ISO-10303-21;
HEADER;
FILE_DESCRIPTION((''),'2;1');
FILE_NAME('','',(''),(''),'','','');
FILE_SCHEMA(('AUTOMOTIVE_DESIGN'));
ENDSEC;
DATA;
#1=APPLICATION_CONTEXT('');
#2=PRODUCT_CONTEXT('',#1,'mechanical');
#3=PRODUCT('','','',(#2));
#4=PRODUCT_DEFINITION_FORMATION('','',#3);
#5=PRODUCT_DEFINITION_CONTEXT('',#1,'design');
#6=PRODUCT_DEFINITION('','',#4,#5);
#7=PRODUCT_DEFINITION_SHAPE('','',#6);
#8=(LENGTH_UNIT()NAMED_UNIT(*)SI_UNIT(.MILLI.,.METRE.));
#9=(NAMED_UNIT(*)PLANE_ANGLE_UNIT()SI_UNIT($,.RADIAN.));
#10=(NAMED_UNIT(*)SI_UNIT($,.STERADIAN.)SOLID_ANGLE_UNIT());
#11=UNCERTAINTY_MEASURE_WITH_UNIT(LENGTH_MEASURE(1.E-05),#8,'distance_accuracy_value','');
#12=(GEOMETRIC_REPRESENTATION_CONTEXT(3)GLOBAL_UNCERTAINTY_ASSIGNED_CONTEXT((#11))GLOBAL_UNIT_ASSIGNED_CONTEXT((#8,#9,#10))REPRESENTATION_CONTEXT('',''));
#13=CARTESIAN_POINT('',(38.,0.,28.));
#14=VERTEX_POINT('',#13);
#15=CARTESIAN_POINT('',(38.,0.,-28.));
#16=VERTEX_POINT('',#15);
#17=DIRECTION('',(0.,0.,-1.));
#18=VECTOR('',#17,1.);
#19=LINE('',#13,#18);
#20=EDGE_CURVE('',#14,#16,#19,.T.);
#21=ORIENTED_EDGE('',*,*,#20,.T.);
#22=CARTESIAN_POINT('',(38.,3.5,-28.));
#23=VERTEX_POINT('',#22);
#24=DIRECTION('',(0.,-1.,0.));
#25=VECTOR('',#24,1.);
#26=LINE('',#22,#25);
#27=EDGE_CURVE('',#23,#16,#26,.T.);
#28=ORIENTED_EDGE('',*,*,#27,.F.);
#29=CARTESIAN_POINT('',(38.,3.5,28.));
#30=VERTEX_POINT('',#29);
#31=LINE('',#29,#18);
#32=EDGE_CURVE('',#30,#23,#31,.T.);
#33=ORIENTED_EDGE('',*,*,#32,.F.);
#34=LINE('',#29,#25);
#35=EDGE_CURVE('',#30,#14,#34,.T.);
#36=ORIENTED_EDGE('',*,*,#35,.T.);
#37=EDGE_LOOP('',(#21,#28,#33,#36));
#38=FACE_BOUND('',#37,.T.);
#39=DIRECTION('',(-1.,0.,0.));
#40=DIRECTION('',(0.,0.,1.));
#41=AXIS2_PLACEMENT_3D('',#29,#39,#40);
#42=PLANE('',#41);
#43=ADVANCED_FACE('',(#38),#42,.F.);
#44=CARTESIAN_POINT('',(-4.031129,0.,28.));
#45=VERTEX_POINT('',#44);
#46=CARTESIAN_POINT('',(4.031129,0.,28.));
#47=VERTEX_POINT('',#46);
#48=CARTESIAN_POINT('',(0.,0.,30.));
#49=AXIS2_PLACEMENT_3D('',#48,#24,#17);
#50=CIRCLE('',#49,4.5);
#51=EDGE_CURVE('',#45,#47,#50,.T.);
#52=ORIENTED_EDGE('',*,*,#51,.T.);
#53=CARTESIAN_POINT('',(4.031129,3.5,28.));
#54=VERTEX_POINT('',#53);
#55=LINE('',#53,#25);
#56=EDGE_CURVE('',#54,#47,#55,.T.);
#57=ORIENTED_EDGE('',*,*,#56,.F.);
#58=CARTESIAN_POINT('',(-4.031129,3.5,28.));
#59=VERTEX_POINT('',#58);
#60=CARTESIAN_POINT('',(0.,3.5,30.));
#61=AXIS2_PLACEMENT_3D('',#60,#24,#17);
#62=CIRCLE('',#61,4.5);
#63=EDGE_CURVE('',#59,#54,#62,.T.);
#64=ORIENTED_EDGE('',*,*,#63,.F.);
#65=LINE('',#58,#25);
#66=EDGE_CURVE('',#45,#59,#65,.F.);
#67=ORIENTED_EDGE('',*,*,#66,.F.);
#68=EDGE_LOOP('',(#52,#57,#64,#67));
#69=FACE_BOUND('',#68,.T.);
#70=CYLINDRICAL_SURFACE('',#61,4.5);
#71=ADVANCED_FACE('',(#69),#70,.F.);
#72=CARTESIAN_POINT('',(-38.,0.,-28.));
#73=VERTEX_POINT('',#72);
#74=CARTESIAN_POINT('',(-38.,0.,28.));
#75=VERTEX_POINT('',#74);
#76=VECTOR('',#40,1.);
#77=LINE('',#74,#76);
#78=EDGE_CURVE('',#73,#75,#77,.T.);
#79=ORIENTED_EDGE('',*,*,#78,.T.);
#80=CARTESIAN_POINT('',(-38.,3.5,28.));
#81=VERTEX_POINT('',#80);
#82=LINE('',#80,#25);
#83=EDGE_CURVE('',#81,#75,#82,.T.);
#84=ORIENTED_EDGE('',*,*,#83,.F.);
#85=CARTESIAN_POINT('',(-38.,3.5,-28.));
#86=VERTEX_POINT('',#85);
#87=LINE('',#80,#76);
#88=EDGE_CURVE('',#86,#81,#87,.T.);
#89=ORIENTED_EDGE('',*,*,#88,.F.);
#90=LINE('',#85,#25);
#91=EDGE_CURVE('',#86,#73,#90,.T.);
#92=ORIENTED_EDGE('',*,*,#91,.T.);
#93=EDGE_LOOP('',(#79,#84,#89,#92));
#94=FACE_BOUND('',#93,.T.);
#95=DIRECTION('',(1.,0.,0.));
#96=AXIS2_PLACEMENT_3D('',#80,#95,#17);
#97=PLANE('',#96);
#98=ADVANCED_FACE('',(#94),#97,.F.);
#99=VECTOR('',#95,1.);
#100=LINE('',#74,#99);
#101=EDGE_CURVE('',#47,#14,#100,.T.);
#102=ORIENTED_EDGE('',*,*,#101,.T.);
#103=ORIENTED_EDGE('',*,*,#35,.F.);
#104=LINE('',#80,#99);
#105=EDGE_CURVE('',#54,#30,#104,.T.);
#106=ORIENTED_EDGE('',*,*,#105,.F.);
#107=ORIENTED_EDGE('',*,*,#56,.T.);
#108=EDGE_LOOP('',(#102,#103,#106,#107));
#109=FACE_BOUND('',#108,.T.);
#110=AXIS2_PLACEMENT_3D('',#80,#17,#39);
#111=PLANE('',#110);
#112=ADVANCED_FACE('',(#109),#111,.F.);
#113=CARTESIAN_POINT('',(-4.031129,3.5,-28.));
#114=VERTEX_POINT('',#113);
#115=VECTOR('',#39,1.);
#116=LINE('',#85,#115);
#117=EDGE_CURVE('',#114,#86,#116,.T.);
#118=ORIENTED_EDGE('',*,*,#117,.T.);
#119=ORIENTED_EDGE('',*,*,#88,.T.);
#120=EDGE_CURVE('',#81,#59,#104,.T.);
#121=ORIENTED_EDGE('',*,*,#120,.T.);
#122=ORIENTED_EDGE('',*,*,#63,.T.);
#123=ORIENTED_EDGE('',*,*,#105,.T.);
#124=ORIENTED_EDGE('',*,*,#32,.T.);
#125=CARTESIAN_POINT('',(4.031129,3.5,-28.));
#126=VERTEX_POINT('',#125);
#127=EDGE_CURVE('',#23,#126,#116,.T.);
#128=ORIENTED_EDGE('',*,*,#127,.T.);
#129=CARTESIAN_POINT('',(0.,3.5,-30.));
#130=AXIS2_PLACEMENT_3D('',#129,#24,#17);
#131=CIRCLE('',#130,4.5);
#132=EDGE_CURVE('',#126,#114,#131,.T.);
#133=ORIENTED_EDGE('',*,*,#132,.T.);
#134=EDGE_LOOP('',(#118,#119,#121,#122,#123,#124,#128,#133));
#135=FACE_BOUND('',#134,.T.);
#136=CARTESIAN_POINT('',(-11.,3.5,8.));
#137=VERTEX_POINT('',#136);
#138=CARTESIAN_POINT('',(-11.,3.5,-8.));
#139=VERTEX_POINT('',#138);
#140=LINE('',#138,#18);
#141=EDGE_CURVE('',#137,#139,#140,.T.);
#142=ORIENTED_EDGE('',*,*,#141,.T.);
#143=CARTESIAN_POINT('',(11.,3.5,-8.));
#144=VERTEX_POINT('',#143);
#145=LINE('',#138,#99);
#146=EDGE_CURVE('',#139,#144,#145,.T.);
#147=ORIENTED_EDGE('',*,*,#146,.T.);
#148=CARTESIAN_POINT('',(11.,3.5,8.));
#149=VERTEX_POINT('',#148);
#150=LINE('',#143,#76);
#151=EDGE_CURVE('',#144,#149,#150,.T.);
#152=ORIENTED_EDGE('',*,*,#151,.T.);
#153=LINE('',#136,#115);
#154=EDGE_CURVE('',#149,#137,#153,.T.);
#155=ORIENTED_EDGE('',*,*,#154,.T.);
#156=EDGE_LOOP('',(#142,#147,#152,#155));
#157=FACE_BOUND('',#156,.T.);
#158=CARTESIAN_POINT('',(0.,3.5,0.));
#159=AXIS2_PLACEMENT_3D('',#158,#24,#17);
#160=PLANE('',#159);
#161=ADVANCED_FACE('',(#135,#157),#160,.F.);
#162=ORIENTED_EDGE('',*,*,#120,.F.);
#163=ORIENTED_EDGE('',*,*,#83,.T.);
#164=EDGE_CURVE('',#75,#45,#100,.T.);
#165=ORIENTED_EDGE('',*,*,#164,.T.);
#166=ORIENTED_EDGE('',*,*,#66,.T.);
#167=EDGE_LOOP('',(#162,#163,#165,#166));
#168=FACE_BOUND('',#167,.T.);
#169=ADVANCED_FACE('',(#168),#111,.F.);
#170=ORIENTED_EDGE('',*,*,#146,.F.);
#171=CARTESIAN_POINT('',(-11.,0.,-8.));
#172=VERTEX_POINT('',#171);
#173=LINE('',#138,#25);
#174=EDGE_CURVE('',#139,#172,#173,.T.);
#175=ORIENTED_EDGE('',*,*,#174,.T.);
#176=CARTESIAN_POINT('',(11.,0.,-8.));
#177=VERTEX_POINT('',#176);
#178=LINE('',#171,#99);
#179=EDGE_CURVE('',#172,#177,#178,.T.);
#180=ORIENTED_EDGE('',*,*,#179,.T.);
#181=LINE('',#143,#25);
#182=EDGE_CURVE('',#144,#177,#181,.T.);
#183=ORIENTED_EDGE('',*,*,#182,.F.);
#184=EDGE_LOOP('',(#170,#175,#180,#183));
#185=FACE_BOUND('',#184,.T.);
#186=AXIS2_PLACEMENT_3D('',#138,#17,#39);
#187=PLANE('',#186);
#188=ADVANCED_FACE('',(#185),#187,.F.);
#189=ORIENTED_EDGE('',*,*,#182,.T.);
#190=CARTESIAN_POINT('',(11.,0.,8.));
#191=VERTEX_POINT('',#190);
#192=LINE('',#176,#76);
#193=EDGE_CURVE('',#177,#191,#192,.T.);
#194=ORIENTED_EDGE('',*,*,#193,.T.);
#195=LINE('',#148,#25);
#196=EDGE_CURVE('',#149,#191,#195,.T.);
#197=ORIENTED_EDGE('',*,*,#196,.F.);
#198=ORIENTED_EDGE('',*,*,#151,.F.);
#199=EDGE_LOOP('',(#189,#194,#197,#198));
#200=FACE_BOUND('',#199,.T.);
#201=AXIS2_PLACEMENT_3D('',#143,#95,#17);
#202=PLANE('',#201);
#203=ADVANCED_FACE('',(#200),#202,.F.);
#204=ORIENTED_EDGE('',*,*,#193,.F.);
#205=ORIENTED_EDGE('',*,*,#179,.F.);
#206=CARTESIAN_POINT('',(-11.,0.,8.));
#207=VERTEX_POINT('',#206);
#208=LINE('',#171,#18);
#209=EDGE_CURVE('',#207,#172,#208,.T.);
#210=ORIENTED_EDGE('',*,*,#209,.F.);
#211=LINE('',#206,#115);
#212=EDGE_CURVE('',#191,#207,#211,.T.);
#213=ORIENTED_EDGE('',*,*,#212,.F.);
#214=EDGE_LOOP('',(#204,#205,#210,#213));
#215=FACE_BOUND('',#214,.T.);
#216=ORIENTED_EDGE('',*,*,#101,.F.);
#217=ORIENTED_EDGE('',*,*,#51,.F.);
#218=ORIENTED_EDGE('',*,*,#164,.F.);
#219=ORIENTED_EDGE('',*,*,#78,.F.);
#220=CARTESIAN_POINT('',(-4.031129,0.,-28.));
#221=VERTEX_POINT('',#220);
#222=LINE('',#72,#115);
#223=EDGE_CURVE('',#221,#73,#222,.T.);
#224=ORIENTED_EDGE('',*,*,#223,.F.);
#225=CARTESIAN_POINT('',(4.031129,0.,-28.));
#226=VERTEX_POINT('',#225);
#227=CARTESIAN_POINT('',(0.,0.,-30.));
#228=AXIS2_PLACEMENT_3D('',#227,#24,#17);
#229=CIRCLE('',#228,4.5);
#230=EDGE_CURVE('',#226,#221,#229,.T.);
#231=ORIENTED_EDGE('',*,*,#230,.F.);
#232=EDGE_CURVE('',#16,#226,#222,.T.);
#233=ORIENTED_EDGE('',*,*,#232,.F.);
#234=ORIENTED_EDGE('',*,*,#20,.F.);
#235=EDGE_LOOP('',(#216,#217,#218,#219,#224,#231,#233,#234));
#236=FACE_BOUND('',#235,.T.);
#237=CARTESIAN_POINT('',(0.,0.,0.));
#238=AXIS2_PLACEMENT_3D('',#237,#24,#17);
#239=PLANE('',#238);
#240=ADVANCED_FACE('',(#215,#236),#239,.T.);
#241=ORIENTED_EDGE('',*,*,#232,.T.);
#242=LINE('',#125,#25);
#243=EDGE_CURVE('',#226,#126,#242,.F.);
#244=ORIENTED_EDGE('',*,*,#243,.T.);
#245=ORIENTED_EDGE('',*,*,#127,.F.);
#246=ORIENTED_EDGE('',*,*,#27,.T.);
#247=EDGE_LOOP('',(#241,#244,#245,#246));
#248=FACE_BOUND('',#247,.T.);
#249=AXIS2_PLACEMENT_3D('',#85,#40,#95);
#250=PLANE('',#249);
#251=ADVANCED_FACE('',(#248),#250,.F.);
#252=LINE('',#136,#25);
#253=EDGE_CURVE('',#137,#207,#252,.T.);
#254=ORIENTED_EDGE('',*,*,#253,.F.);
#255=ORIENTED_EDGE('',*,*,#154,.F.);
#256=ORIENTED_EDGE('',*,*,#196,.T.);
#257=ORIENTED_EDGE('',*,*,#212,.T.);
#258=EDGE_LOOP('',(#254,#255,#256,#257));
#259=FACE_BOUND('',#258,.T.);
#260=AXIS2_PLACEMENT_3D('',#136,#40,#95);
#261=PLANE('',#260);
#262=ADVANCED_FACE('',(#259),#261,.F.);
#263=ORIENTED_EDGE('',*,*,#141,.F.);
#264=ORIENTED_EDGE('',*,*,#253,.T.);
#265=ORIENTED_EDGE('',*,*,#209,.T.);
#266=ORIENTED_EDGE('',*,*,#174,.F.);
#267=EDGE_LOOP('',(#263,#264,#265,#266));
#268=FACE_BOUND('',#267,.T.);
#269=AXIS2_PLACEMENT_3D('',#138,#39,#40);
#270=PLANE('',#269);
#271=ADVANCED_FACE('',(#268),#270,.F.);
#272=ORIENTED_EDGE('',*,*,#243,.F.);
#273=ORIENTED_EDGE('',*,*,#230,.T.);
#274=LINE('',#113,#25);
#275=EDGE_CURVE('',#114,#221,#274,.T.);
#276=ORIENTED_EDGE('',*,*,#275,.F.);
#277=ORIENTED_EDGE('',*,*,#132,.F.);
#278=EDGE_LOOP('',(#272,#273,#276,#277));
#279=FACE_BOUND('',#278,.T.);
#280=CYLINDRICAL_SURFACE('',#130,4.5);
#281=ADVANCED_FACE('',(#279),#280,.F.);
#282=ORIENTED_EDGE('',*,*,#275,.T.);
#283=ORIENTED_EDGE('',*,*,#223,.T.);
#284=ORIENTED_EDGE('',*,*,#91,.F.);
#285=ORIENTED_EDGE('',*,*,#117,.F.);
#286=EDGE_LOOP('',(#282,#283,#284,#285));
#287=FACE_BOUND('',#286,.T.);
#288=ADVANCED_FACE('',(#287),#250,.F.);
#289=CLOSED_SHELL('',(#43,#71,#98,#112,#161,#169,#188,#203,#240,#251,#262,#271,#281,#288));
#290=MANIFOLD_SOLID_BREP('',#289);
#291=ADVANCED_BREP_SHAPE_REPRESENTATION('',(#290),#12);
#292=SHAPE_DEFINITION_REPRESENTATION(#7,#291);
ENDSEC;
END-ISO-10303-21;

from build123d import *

# Parameters (mm, degrees)
SKETCH1_W           = 76
SKETCH1_H           = 56
BOSS_EXTRUDE1_DEPTH = 3.5
SKETCH2_R           = 4.5
SKETCH2_W           = 22
SKETCH2_H           = 16
CUT_EXTRUDE1_DEPTH  = 3.5


with BuildPart() as part:
    # Sketch1 → Boss-Extrude1 (new body)
    with BuildSketch(Plane(origin=(0, 0, 0), x_dir=(1, 0, 0), z_dir=(0, 1, 0))):
        Rectangle(SKETCH1_W, SKETCH1_H)
    extrude(amount=BOSS_EXTRUDE1_DEPTH)

    # Sketch2 → Cut-Extrude1 (cut)
    with BuildSketch(Plane.XZ):
        with Locations((0, -30)):
            Circle(SKETCH2_R)
        with Locations((0, 30)):
            Circle(SKETCH2_R)
        Rectangle(SKETCH2_W, SKETCH2_H)
    extrude(amount=-CUT_EXTRUDE1_DEPTH, mode=Mode.SUBTRACT)


solid = part.part
